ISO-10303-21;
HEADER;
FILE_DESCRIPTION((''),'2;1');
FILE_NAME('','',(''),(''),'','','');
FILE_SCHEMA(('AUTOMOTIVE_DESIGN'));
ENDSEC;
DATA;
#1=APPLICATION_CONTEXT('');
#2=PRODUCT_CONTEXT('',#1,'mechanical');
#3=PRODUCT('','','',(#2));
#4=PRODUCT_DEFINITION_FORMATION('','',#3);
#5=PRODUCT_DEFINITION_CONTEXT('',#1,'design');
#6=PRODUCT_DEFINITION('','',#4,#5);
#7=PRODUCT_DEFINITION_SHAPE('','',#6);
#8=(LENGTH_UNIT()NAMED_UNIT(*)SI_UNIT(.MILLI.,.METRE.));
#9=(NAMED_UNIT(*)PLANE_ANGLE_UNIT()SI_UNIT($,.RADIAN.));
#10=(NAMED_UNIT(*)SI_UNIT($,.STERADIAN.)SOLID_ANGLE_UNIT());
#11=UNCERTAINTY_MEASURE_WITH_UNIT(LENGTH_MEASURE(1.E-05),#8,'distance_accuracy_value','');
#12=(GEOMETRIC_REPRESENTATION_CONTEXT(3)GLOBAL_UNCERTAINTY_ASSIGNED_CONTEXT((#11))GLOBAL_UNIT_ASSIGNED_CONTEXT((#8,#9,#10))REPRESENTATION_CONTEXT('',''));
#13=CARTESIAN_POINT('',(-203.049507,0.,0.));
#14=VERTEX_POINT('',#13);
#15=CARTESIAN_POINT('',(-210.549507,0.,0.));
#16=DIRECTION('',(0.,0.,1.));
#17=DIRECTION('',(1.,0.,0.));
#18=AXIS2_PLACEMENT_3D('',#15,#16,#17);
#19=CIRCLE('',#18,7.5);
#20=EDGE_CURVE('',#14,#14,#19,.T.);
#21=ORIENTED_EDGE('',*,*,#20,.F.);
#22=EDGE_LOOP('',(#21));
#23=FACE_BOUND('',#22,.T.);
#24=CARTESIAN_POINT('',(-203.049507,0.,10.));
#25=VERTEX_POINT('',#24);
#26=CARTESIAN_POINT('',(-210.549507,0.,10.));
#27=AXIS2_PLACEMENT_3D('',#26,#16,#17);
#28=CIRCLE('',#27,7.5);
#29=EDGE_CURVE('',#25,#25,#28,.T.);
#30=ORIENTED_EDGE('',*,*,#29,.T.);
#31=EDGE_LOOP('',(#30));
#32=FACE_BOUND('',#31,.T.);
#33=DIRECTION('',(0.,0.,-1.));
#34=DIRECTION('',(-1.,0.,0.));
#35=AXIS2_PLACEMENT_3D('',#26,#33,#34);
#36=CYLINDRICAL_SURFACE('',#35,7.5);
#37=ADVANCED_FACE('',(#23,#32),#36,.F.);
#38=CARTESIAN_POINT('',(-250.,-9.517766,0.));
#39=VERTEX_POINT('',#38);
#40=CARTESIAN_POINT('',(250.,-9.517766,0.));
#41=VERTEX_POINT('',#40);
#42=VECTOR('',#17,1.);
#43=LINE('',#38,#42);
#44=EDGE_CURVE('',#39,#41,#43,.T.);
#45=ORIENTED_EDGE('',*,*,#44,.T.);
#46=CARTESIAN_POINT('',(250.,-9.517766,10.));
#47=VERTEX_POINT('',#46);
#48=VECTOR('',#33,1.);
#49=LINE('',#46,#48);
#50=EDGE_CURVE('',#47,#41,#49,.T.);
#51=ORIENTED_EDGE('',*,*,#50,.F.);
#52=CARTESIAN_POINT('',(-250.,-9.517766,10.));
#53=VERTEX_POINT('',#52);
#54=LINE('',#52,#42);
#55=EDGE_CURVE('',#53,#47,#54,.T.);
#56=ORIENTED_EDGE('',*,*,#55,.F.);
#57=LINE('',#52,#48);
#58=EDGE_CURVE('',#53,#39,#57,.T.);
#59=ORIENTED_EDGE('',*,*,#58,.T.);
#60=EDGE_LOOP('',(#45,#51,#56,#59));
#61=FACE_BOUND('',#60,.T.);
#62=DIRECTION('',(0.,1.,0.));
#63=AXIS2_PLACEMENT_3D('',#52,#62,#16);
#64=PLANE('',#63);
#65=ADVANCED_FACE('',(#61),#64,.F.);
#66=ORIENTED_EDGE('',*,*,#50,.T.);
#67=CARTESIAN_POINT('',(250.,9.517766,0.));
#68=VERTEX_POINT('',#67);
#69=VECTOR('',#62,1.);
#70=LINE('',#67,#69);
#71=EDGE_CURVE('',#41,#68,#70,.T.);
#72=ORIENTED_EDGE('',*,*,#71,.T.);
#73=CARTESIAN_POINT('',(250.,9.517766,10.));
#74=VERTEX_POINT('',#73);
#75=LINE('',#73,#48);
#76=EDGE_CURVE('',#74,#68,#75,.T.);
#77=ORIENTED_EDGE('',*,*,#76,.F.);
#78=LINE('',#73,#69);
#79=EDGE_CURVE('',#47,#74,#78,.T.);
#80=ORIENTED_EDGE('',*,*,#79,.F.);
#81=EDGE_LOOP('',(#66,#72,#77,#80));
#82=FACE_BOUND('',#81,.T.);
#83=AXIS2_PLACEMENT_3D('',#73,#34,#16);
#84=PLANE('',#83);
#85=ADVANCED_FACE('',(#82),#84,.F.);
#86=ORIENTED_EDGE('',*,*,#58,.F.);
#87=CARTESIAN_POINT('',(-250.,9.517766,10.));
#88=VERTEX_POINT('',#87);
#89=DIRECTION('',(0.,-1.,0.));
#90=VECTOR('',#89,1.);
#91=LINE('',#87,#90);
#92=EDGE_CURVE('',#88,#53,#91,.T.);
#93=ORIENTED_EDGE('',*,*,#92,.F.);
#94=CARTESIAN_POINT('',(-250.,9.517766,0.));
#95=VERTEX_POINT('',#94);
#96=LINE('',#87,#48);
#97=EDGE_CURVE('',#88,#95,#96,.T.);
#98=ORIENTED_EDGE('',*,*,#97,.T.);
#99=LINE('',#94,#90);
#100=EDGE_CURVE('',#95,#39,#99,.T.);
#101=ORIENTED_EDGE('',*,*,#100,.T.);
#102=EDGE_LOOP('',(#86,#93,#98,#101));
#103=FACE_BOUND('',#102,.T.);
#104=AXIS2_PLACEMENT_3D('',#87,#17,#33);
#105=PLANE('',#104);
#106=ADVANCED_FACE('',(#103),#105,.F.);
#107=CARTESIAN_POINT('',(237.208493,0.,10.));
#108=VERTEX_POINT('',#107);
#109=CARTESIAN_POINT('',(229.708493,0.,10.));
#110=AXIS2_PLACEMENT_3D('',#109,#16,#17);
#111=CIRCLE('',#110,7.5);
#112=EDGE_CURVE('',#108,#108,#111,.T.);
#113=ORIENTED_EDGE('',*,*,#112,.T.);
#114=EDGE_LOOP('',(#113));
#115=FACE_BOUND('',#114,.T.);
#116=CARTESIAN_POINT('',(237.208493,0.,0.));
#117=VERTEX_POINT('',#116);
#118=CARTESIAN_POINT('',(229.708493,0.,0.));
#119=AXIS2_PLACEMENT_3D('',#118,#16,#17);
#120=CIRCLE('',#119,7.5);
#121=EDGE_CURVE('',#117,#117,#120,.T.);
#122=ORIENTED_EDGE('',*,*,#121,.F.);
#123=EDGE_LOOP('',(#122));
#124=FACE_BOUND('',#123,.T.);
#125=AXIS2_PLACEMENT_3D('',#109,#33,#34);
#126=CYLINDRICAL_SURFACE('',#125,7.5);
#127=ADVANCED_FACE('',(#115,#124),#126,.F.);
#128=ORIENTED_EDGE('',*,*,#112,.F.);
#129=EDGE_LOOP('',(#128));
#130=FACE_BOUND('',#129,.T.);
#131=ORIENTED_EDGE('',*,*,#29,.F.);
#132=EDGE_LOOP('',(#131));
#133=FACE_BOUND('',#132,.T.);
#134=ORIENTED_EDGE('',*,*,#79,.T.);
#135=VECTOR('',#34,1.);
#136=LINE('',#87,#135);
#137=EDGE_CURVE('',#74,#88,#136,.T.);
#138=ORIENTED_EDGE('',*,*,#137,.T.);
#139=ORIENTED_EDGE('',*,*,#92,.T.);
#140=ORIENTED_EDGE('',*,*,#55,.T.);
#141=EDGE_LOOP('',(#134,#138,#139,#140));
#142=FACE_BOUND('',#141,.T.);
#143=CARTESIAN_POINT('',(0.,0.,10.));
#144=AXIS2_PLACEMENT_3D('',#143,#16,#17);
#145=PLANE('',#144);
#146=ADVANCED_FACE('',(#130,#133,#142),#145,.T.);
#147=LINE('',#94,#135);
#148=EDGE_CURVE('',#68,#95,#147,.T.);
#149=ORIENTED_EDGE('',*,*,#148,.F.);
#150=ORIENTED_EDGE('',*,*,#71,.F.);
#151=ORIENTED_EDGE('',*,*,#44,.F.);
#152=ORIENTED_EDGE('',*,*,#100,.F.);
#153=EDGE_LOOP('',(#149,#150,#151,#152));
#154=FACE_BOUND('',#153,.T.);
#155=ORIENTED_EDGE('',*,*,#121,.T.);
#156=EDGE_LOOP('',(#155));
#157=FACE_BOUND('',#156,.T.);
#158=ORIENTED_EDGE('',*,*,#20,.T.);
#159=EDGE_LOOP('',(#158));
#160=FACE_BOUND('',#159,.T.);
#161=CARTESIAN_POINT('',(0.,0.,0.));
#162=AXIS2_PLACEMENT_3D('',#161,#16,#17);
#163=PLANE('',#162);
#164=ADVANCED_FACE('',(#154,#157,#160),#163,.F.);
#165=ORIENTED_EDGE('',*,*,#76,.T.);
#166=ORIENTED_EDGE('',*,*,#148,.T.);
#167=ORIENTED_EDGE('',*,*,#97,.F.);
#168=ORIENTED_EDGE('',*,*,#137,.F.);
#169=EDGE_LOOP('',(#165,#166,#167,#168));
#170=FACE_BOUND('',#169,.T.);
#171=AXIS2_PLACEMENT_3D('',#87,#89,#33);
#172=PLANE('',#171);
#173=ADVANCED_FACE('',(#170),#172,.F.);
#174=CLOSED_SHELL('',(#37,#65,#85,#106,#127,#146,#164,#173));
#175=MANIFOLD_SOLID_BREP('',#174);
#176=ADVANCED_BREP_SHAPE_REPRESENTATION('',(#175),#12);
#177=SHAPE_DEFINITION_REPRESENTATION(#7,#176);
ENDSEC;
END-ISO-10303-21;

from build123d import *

# Parameters (mm, degrees)
SKETCH1_W           = 500
SKETCH1_H           = 19.035532994
SKETCH1_R           = 7.5
BOSS_EXTRUDE1_DEPTH = 10


with BuildPart() as part:
    # Sketch1 → Boss-Extrude1 (new body)
    with BuildSketch(Plane.XY):
        Rectangle(SKETCH1_W, SKETCH1_H)
        with Locations((-210.549507461, 0)):
            Circle(SKETCH1_R, mode=Mode.SUBTRACT)
        with Locations((229.708492539, 0)):
            Circle(SKETCH1_R, mode=Mode.SUBTRACT)
    extrude(amount=BOSS_EXTRUDE1_DEPTH)


solid = part.part
